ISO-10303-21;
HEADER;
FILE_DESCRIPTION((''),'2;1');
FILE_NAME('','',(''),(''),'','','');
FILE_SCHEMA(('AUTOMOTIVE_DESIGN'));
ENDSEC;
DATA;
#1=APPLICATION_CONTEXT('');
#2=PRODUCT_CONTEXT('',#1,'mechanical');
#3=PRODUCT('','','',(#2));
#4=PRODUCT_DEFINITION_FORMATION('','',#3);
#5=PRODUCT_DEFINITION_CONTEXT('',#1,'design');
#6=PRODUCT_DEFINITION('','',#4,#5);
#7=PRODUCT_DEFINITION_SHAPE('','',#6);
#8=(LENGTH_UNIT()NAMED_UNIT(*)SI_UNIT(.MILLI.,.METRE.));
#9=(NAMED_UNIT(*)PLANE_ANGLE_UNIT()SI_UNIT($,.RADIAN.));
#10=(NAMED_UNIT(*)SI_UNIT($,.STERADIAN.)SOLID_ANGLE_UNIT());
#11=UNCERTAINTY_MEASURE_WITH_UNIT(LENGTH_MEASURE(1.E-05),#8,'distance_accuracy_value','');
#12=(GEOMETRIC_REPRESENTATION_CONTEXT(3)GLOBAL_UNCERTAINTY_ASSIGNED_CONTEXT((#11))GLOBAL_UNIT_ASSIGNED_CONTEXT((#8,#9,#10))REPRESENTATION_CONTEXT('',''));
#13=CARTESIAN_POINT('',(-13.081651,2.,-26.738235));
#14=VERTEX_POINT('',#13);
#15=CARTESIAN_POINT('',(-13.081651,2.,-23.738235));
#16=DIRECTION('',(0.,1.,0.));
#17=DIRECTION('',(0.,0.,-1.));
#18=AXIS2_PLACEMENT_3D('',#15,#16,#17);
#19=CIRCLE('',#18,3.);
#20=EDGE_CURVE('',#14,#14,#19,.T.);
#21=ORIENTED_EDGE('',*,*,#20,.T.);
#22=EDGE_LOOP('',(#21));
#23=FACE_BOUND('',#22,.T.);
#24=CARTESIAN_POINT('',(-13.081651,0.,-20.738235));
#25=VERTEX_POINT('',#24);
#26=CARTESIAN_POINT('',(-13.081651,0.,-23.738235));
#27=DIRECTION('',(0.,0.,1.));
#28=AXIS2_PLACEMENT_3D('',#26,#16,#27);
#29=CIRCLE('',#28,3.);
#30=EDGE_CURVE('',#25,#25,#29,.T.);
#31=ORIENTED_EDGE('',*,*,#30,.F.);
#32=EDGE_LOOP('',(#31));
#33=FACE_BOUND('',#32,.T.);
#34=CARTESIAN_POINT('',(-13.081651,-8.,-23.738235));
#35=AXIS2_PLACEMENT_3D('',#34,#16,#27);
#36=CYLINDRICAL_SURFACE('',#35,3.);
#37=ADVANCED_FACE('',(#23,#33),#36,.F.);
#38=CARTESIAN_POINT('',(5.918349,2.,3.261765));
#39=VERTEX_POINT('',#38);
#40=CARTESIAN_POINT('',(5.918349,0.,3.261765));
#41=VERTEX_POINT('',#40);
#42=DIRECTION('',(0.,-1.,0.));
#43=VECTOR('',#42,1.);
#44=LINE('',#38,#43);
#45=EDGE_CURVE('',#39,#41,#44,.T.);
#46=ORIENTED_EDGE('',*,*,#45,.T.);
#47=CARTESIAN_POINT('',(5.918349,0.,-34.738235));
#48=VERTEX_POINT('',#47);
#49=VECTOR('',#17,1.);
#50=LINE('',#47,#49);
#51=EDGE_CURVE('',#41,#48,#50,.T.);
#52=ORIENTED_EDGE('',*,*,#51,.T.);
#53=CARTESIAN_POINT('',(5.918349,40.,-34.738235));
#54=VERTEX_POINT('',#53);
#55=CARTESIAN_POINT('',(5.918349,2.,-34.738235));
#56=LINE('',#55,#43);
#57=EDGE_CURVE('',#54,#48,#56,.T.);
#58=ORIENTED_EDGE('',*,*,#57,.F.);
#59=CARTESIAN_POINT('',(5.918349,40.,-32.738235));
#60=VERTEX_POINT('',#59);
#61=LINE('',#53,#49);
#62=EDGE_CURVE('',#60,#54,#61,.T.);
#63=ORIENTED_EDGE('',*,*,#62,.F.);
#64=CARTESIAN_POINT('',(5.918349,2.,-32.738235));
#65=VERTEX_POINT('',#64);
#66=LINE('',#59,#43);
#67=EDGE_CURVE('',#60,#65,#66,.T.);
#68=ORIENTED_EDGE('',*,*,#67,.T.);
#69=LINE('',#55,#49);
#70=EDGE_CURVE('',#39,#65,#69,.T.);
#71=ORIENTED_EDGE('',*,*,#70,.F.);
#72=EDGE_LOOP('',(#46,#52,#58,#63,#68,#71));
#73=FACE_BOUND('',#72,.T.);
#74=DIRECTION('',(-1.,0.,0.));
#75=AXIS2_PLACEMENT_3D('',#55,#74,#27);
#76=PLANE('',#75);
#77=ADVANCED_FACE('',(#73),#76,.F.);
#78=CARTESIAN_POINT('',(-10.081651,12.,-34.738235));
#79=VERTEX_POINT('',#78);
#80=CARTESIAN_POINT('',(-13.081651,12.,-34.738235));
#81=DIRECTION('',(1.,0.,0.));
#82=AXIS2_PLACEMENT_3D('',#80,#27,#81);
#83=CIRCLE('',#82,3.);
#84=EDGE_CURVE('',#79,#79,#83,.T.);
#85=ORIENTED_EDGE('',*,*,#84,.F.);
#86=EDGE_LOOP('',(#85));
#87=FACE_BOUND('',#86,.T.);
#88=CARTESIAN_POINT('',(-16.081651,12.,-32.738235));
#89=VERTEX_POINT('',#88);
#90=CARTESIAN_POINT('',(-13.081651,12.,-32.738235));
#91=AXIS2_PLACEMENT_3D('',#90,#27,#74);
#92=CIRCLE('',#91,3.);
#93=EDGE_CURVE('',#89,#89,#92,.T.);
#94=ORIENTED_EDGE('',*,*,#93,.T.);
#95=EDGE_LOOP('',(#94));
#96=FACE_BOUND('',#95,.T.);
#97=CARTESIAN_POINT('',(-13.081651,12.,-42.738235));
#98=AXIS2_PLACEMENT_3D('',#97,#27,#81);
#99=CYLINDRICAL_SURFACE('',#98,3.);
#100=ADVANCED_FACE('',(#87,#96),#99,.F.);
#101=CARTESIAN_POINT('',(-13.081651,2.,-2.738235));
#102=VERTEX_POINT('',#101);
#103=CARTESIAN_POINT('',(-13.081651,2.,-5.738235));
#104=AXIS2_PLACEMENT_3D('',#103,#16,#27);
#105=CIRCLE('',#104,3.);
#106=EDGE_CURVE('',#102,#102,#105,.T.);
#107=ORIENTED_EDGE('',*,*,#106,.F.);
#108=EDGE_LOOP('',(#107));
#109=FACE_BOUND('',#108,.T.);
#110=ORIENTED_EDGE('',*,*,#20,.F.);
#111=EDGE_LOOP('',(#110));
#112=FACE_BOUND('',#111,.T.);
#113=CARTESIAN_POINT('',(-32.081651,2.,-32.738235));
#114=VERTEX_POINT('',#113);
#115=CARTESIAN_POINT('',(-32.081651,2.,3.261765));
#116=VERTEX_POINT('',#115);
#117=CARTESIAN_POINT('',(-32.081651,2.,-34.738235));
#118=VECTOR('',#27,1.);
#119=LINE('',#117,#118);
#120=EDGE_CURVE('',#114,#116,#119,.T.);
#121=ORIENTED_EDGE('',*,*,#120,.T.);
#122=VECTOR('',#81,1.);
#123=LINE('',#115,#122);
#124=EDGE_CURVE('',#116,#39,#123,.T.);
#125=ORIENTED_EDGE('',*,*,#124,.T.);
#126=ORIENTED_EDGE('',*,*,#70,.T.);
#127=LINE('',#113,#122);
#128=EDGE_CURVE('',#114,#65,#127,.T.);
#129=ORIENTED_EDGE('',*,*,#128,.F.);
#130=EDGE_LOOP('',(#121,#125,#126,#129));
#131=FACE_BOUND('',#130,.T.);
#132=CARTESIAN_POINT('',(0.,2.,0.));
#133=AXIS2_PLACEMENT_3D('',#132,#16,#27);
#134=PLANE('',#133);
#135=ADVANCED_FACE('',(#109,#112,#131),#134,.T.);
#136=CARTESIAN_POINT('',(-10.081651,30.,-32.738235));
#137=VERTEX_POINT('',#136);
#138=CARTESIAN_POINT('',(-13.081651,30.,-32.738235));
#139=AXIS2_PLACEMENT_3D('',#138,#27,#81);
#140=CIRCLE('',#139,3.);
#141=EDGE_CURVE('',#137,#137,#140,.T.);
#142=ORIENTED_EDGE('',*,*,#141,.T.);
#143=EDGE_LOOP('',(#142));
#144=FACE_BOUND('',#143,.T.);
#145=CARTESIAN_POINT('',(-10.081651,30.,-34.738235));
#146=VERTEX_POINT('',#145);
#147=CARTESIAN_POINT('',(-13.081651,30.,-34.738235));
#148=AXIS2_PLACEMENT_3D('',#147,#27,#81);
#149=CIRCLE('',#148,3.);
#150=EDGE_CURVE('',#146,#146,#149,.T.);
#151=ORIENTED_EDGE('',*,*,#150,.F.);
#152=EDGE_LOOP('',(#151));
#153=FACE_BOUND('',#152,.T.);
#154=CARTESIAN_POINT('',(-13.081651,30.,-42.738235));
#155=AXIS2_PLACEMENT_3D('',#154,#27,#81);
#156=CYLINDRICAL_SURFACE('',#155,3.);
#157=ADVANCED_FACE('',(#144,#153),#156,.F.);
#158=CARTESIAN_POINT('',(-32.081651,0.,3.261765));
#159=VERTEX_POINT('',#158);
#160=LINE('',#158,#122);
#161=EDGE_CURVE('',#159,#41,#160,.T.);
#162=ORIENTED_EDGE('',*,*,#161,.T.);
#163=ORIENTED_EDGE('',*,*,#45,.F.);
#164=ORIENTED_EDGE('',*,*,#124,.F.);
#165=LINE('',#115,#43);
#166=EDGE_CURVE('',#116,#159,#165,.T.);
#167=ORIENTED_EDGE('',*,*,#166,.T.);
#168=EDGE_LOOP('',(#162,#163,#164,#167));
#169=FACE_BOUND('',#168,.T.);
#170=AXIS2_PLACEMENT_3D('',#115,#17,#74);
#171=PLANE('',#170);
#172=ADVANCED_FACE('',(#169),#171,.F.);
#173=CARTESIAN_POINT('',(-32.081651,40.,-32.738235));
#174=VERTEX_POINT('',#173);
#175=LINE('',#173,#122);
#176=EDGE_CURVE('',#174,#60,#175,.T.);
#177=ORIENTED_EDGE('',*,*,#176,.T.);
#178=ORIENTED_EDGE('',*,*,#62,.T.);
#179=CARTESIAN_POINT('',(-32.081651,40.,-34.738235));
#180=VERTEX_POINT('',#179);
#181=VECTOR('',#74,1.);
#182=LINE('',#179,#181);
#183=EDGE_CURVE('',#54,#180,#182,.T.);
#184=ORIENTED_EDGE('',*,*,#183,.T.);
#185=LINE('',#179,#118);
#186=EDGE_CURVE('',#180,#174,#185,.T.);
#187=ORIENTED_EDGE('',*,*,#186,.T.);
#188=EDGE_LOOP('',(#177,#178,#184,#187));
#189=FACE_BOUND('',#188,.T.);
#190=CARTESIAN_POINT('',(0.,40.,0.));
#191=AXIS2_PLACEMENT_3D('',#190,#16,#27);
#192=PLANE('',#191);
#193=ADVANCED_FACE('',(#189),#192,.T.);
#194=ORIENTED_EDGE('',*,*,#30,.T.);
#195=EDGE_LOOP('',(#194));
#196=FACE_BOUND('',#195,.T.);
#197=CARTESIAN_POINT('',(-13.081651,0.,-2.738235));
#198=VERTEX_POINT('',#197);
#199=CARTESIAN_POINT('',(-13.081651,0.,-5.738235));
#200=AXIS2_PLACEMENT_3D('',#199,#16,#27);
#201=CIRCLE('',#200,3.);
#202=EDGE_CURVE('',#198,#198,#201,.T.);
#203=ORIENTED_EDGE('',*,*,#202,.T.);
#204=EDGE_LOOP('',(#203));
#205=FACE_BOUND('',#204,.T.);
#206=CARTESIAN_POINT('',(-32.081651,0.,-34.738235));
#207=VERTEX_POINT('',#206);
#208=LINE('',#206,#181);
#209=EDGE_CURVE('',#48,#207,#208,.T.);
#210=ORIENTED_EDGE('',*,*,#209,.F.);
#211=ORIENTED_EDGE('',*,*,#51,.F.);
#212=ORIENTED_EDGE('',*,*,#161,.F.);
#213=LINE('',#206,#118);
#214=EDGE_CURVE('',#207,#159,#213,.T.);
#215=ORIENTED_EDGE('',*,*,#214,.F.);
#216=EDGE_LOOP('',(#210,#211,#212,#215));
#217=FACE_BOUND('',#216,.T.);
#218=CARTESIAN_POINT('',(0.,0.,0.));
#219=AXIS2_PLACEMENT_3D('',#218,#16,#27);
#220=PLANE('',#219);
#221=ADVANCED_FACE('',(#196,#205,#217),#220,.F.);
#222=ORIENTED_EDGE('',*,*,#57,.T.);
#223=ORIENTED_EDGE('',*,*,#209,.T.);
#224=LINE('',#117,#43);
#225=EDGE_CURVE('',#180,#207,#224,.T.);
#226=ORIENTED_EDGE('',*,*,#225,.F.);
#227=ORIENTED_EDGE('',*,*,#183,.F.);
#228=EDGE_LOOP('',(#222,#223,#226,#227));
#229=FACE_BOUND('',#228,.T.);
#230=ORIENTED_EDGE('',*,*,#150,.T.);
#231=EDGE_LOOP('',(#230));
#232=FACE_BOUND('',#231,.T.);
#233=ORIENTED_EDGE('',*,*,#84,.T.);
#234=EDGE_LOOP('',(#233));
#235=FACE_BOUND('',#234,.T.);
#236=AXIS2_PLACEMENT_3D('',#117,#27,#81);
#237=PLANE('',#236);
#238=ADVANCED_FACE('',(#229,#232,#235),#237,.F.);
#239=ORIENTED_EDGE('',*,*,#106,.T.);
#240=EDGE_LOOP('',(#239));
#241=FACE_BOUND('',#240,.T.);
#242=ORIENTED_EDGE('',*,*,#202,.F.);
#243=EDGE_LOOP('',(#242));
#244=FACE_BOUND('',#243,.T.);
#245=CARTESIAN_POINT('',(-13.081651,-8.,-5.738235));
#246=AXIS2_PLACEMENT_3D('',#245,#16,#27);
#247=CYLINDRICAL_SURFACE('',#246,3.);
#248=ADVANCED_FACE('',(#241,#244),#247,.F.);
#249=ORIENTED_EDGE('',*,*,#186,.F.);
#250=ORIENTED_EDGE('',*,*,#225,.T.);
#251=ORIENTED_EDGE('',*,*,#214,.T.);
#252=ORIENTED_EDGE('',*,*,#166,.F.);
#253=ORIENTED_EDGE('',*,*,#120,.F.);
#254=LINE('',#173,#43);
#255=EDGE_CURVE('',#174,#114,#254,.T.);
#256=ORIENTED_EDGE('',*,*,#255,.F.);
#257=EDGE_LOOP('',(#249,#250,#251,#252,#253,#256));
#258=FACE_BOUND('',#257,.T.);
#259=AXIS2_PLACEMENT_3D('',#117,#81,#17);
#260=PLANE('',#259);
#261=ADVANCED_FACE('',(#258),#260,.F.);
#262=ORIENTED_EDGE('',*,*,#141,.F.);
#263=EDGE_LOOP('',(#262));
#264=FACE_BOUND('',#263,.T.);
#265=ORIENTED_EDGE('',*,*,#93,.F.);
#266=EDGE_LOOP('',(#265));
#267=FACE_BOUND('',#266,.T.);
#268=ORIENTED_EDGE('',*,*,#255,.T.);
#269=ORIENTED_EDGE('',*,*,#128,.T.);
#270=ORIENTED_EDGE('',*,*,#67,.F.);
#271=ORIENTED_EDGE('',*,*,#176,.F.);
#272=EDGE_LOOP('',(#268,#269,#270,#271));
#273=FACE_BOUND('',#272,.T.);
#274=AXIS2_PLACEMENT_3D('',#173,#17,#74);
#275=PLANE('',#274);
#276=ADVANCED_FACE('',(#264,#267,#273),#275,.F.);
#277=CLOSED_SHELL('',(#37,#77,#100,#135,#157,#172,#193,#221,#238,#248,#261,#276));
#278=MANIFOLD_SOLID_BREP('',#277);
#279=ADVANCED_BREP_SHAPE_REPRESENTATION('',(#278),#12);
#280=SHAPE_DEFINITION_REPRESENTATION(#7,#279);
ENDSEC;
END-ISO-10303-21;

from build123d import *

# Parameters (mm, degrees)
SKETCH1_W           = 38
SKETCH1_H           = 38
BOSS_EXTRUDE1_DEPTH = 2
SKETCH2_W           = 38
SKETCH2_H           = 2
BOSS_EXTRUDE2_DEPTH = 38
SKETCH3_R           = 3
CUT_EXTRUDE1_DEPTH  = 10
SKETCH4_R           = 3
CUT_EXTRUDE2_DEPTH  = 10


with BuildPart() as part:
    # Sketch1 → Boss-Extrude1 (new body)
    with BuildSketch(Plane(origin=(0, 0, 0), x_dir=(1, 0, 0), z_dir=(0, 1, 0))):
        with Locations((-13.081650622, 15.738235294)):
            Rectangle(SKETCH1_W, SKETCH1_H)
    extrude(amount=BOSS_EXTRUDE1_DEPTH)

    # Sketch2 → Boss-Extrude2 (add)
    with BuildSketch(Plane(origin=(0, 2, 0), x_dir=(1, 0, 0), z_dir=(0, 1, 0))):
        with Locations((-13.081650622, 33.738235294)):
            Rectangle(SKETCH2_W, SKETCH2_H)
    extrude(amount=BOSS_EXTRUDE2_DEPTH)

    # Sketch3 → Cut-Extrude1 (cut)
    with BuildSketch(Plane.XY.offset(-32.738235294)):
        with Locations((-13.081650622, 30)):
            Circle(SKETCH3_R)
        with Locations((-13.081650622, 12)):
            Circle(SKETCH3_R)
    extrude(amount=-CUT_EXTRUDE1_DEPTH, mode=Mode.SUBTRACT)

    # Sketch4 → Cut-Extrude2 (cut)
    with BuildSketch(Plane(origin=(0, 2, 0), x_dir=(1, 0, 0), z_dir=(0, 1, 0))):
        with Locations(Location((-13.081650622, 5.738235294, 0), (0, 0, 270))):
            Circle(SKETCH4_R)
        with Locations(Location((-13.081650622, 23.738235294, 0), (0, 0, 270))):
            Circle(SKETCH4_R)
    extrude(amount=-CUT_EXTRUDE2_DEPTH, mode=Mode.SUBTRACT)


solid = part.part
